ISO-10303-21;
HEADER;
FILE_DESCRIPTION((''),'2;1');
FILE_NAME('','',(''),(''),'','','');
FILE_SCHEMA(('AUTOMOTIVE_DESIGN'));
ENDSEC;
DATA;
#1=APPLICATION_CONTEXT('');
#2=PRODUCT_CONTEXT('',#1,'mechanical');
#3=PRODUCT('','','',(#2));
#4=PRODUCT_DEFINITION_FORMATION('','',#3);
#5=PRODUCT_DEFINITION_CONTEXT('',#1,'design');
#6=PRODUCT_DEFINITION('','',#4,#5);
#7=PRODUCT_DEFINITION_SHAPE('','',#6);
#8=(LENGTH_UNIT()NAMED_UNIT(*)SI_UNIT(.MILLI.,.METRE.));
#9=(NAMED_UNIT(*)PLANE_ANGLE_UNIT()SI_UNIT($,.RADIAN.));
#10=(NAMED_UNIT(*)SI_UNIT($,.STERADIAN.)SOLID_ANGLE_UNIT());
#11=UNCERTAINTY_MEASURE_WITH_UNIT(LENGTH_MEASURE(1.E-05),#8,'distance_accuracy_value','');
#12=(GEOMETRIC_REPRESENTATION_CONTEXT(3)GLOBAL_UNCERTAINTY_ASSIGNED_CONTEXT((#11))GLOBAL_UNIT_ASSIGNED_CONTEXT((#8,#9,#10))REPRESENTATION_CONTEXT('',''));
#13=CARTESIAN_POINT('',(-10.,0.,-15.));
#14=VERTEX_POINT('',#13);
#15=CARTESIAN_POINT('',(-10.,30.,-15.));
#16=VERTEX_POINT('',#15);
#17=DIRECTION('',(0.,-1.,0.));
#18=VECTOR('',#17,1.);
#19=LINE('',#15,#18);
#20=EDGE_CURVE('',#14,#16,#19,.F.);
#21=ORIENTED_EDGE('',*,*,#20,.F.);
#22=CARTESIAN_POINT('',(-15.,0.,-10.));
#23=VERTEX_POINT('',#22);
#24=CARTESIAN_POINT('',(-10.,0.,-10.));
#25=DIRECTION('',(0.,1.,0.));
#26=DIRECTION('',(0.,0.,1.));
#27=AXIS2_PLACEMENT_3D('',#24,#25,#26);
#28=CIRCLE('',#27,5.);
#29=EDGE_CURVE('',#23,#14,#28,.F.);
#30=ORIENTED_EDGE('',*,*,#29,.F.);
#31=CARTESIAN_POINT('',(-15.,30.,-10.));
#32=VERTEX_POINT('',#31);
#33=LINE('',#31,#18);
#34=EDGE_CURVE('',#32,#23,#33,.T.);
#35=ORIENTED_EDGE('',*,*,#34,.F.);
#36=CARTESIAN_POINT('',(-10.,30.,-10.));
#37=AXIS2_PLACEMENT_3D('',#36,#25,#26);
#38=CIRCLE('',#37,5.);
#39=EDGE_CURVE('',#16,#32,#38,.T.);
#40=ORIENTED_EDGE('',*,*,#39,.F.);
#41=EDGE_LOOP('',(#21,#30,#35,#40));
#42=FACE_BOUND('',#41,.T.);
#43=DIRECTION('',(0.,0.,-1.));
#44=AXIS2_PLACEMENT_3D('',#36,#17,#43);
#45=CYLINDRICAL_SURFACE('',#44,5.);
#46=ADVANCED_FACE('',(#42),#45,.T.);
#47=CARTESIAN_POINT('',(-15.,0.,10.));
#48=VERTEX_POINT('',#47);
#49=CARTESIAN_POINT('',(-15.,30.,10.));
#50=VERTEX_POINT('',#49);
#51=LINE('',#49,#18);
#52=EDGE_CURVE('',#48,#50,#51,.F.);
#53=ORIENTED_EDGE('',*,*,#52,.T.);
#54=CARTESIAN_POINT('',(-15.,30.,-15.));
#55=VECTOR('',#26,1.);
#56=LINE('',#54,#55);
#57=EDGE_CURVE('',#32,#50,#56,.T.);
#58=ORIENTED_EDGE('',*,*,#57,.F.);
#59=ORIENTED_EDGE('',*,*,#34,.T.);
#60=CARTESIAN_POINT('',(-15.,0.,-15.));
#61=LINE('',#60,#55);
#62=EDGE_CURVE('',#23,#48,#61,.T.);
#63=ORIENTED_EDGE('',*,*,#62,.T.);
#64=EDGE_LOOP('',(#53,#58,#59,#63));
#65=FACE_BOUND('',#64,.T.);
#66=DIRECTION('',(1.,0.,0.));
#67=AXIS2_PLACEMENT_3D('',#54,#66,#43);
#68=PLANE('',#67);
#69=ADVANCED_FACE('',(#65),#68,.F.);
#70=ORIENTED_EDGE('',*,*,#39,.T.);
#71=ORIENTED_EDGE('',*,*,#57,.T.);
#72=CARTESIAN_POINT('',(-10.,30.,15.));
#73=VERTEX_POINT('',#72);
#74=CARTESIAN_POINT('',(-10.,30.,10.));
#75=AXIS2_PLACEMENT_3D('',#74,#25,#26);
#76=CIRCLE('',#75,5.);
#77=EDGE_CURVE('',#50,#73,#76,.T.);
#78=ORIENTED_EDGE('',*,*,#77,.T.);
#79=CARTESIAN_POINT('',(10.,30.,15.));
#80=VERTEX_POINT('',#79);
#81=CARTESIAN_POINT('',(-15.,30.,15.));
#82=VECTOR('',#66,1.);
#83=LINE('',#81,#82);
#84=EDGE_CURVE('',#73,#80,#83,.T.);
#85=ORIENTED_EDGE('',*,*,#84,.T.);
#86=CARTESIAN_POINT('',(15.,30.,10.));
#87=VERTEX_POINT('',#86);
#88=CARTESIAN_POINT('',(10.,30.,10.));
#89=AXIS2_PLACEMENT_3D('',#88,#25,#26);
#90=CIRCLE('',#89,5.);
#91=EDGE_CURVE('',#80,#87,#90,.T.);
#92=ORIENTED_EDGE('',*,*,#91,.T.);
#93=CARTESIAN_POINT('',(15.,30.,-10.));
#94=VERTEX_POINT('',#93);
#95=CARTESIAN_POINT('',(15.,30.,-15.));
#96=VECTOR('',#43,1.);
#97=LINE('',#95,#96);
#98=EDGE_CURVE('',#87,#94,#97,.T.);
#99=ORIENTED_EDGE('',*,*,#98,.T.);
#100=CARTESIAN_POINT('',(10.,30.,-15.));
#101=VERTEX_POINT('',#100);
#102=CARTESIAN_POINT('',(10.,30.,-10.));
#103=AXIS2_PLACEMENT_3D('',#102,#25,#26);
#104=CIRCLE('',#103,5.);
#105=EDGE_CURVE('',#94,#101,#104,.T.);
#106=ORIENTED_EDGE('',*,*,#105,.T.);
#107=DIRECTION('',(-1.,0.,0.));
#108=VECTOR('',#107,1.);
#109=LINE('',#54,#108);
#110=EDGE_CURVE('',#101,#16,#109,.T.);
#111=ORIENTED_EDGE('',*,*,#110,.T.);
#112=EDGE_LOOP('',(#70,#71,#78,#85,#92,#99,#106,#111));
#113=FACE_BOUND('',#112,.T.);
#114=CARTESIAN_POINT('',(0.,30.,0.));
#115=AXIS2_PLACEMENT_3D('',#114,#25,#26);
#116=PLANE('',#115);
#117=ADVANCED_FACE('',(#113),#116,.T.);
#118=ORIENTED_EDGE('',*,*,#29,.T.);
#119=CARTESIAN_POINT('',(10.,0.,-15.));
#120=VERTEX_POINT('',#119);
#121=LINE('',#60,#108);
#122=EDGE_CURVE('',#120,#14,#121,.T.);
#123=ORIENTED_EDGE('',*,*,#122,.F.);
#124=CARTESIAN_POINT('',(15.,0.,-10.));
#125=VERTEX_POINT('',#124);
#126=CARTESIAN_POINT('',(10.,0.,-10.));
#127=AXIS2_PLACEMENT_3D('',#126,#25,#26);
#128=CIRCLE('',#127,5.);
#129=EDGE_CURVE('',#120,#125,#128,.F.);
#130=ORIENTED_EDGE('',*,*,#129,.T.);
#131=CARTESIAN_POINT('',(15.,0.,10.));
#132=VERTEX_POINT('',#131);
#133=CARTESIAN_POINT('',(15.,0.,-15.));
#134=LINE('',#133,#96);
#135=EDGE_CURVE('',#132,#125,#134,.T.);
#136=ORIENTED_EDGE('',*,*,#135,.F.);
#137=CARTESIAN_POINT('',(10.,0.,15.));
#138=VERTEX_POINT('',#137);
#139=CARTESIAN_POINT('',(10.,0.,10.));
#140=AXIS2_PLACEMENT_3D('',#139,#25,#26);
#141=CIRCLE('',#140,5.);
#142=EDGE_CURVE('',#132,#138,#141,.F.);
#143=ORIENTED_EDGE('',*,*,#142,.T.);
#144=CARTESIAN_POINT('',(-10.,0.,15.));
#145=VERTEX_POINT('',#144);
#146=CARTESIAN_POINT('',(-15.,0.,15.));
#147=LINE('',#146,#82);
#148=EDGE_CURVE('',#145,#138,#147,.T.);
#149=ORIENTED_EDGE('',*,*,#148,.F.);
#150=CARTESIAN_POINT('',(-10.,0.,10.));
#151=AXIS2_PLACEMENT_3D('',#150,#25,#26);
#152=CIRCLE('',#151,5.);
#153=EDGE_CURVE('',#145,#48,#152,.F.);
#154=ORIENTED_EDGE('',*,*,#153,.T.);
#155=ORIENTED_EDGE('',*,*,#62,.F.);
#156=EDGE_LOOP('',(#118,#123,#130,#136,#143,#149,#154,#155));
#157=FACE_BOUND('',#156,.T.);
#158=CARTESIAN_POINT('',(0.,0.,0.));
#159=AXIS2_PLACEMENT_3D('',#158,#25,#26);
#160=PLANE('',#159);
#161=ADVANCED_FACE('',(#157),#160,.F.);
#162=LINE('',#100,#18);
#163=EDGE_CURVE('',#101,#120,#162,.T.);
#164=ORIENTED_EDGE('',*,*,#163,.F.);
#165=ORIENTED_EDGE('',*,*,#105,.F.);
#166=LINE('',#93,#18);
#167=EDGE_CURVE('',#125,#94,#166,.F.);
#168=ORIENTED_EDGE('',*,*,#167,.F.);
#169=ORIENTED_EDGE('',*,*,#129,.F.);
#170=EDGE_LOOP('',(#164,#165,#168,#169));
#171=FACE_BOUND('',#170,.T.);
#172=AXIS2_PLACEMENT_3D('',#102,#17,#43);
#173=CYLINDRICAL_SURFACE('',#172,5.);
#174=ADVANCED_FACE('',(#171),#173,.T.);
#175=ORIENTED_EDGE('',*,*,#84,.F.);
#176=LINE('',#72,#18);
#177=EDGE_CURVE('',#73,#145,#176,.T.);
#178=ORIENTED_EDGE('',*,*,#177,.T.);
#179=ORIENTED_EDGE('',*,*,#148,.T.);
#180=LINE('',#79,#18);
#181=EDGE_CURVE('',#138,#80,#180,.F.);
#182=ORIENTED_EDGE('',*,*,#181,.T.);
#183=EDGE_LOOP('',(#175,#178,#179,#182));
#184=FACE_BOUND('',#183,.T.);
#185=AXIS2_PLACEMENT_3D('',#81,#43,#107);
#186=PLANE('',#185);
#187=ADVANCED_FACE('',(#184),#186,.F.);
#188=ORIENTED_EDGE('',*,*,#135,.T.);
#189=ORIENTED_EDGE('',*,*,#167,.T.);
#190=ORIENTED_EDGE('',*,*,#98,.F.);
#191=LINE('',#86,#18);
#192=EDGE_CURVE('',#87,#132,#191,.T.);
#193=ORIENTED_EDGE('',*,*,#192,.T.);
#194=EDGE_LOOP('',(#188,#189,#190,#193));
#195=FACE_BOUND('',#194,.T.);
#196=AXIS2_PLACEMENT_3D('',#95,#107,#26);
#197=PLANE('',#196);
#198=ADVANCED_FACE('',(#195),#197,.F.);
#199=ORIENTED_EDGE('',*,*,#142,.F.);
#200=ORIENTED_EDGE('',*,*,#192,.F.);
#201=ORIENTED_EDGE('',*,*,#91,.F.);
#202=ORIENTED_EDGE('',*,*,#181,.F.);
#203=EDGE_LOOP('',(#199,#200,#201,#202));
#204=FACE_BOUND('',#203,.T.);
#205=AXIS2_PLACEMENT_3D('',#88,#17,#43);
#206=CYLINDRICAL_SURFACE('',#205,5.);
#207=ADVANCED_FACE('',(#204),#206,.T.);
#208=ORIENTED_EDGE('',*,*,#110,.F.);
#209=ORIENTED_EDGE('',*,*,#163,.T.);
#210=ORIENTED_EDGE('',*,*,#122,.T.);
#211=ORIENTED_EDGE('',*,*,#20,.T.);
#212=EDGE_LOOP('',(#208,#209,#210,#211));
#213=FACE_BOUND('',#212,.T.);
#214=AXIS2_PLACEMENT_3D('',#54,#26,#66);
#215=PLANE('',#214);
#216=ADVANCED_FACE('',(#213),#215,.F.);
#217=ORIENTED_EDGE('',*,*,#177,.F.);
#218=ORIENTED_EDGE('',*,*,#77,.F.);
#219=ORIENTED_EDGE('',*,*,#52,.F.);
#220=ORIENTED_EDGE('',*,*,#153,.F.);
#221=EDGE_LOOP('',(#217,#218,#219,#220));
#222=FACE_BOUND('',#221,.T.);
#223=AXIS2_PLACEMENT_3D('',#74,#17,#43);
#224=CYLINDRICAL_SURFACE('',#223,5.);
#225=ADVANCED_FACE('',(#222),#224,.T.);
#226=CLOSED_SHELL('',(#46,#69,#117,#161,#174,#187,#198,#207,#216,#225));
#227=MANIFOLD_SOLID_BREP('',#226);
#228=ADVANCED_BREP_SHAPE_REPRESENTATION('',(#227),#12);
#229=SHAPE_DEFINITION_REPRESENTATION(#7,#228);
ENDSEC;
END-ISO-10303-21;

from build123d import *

# Parameters (mm, degrees)
SKETCH1_W           = 30
SKETCH1_H           = 30
BOSS_EXTRUDE1_DEPTH = 30
FILLET1_R           = 5
FILLET2_R           = 5
FILLET3_R           = 5
FILLET4_R           = 5


with BuildPart() as part:
    # Sketch1 → Boss-Extrude1 (new body)
    with BuildSketch(Plane(origin=(0, 0, 0), x_dir=(1, 0, 0), z_dir=(0, 1, 0))):
        Rectangle(SKETCH1_W, SKETCH1_H)
    extrude(amount=BOSS_EXTRUDE1_DEPTH)

    # Fillet1
    fillet1_edges = [part.edges().sort_by_distance(p)[0] for p in [
        (15, 15, 15),
    ]]
    fillet(fillet1_edges, radius=FILLET1_R)

    # Fillet2
    fillet2_edges = [part.edges().sort_by_distance(p)[0] for p in [
        (15, 15, -15),
    ]]
    fillet(fillet2_edges, radius=FILLET2_R)

    # Fillet3
    fillet3_edges = [part.edges().sort_by_distance(p)[0] for p in [
        (-15, 15, 15),
    ]]
    fillet(fillet3_edges, radius=FILLET3_R)

    # Fillet4
    fillet4_edges = [part.edges().sort_by_distance(p)[0] for p in [
        (-15, 15, -15),
    ]]
    fillet(fillet4_edges, radius=FILLET4_R)


solid = part.part
